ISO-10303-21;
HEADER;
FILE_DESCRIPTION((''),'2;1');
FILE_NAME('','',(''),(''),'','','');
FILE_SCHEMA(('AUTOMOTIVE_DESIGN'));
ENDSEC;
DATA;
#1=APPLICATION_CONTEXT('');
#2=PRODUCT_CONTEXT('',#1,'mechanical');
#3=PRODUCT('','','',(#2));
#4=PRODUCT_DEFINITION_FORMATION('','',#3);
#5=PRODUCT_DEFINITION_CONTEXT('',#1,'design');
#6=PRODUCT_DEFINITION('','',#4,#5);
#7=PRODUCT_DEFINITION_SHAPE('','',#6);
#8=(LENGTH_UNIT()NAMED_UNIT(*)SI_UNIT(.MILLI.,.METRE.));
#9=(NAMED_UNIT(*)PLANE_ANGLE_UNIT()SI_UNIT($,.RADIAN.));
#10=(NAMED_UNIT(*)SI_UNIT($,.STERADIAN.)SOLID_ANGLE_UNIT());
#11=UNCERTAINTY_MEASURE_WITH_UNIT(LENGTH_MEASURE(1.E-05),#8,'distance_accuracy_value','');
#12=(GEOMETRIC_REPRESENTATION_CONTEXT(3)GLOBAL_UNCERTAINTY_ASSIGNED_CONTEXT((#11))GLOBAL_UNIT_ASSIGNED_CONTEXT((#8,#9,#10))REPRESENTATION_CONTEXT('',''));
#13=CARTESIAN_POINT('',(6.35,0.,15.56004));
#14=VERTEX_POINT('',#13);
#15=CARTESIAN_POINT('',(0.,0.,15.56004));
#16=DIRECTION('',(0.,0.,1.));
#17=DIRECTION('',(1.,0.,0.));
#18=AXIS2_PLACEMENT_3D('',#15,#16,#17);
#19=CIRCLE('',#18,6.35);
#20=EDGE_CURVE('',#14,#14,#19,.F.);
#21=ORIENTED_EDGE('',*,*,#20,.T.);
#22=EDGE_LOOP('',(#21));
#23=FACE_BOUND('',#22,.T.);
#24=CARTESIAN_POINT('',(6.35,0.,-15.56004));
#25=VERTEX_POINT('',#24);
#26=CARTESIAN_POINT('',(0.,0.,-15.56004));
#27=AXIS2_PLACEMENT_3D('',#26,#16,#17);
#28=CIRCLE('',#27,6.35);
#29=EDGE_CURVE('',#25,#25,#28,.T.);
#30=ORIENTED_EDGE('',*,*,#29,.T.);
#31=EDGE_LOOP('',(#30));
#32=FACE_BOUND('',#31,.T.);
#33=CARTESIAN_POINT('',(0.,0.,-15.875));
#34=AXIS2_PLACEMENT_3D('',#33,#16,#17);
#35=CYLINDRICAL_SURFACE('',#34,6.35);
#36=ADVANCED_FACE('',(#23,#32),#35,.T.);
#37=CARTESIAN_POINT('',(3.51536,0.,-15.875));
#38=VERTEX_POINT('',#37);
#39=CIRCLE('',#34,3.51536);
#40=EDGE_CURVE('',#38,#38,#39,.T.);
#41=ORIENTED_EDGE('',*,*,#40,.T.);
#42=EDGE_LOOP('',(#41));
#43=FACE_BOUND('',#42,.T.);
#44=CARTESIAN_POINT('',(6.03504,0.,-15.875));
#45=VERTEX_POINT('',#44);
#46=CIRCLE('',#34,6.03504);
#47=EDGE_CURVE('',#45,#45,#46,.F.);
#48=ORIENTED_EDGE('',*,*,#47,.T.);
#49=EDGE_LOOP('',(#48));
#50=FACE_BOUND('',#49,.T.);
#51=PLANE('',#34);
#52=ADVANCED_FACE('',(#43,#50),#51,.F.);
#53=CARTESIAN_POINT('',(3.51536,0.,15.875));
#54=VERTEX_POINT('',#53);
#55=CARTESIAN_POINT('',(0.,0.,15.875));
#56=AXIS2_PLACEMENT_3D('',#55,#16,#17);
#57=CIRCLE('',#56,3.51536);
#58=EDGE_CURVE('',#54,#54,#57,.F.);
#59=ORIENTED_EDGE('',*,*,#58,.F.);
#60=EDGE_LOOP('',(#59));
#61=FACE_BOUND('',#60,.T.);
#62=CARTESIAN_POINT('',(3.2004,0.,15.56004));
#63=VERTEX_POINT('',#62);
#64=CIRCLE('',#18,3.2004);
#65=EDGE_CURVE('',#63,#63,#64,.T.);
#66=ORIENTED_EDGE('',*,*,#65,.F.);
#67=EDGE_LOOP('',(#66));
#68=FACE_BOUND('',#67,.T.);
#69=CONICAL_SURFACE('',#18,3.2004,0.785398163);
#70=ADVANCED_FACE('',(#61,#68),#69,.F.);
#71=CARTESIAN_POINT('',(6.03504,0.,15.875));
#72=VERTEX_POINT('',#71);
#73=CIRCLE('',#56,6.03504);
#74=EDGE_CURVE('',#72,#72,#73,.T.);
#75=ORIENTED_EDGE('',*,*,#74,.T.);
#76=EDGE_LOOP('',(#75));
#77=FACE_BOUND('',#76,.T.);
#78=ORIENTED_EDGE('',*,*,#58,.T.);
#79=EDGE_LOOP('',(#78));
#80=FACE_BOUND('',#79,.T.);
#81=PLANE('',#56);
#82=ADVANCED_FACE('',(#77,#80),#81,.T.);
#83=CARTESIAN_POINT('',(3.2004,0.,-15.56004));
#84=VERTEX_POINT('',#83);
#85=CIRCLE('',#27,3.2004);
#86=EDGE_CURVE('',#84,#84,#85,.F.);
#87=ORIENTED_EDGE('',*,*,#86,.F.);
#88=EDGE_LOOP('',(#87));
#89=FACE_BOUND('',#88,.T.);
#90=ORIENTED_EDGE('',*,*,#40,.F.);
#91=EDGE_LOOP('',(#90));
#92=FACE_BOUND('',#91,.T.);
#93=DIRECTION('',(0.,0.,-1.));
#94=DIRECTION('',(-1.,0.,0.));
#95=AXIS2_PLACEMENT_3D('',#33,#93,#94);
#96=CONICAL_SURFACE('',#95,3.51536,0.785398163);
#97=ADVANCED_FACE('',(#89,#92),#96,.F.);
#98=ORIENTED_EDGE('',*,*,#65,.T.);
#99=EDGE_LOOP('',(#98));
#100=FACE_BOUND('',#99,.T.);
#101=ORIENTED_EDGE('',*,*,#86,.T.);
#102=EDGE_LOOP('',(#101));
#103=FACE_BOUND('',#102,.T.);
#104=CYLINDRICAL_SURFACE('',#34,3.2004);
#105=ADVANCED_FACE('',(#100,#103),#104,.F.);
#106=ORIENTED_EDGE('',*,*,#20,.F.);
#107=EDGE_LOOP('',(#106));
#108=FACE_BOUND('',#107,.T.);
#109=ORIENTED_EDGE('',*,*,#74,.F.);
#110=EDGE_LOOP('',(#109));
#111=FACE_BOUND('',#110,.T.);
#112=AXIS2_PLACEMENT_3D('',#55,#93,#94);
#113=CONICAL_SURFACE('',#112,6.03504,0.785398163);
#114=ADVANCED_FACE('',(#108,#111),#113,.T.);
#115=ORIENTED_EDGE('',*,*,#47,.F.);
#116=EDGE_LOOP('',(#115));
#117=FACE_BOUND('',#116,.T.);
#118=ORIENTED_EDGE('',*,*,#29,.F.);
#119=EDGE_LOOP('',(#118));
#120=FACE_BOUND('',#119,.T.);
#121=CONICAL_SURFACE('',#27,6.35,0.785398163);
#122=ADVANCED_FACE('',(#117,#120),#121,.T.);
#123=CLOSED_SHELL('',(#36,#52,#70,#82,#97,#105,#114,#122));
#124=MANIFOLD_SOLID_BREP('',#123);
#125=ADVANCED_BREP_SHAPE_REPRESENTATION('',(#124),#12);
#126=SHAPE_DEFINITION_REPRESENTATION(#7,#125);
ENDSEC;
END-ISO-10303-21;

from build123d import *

# Parameters (mm, degrees)
BOSS_EXTRUDE1_DEPTH      = 15.875
BOSS_EXTRUDE1_DEPTH_BACK = 15.875
SKETCH3_R                = 6.35
SKETCH3_R_2              = 3.2004
CHAMFER1_SIZE            = 0.31496


with BuildPart() as part:
    # Sketch3 → Boss-Extrude1 (new, two sides: drawn at the far end of the back side and taken through both)
    with BuildSketch(Plane.XY.offset(-BOSS_EXTRUDE1_DEPTH_BACK)):
        Circle(SKETCH3_R)
        Circle(SKETCH3_R_2, mode=Mode.SUBTRACT)
    extrude(amount=BOSS_EXTRUDE1_DEPTH + BOSS_EXTRUDE1_DEPTH_BACK)

    # Chamfer1
    chamfer1_edges = [part.edges().sort_by_distance(p)[0] for p in [
        (-6.35, 0, -15.875),
        (-3.2004, 0, -15.875),
        (-6.35, 0, 15.875),
        (-3.2004, 0, 15.875),
    ]]
    chamfer(chamfer1_edges, length=CHAMFER1_SIZE)


solid = part.part
